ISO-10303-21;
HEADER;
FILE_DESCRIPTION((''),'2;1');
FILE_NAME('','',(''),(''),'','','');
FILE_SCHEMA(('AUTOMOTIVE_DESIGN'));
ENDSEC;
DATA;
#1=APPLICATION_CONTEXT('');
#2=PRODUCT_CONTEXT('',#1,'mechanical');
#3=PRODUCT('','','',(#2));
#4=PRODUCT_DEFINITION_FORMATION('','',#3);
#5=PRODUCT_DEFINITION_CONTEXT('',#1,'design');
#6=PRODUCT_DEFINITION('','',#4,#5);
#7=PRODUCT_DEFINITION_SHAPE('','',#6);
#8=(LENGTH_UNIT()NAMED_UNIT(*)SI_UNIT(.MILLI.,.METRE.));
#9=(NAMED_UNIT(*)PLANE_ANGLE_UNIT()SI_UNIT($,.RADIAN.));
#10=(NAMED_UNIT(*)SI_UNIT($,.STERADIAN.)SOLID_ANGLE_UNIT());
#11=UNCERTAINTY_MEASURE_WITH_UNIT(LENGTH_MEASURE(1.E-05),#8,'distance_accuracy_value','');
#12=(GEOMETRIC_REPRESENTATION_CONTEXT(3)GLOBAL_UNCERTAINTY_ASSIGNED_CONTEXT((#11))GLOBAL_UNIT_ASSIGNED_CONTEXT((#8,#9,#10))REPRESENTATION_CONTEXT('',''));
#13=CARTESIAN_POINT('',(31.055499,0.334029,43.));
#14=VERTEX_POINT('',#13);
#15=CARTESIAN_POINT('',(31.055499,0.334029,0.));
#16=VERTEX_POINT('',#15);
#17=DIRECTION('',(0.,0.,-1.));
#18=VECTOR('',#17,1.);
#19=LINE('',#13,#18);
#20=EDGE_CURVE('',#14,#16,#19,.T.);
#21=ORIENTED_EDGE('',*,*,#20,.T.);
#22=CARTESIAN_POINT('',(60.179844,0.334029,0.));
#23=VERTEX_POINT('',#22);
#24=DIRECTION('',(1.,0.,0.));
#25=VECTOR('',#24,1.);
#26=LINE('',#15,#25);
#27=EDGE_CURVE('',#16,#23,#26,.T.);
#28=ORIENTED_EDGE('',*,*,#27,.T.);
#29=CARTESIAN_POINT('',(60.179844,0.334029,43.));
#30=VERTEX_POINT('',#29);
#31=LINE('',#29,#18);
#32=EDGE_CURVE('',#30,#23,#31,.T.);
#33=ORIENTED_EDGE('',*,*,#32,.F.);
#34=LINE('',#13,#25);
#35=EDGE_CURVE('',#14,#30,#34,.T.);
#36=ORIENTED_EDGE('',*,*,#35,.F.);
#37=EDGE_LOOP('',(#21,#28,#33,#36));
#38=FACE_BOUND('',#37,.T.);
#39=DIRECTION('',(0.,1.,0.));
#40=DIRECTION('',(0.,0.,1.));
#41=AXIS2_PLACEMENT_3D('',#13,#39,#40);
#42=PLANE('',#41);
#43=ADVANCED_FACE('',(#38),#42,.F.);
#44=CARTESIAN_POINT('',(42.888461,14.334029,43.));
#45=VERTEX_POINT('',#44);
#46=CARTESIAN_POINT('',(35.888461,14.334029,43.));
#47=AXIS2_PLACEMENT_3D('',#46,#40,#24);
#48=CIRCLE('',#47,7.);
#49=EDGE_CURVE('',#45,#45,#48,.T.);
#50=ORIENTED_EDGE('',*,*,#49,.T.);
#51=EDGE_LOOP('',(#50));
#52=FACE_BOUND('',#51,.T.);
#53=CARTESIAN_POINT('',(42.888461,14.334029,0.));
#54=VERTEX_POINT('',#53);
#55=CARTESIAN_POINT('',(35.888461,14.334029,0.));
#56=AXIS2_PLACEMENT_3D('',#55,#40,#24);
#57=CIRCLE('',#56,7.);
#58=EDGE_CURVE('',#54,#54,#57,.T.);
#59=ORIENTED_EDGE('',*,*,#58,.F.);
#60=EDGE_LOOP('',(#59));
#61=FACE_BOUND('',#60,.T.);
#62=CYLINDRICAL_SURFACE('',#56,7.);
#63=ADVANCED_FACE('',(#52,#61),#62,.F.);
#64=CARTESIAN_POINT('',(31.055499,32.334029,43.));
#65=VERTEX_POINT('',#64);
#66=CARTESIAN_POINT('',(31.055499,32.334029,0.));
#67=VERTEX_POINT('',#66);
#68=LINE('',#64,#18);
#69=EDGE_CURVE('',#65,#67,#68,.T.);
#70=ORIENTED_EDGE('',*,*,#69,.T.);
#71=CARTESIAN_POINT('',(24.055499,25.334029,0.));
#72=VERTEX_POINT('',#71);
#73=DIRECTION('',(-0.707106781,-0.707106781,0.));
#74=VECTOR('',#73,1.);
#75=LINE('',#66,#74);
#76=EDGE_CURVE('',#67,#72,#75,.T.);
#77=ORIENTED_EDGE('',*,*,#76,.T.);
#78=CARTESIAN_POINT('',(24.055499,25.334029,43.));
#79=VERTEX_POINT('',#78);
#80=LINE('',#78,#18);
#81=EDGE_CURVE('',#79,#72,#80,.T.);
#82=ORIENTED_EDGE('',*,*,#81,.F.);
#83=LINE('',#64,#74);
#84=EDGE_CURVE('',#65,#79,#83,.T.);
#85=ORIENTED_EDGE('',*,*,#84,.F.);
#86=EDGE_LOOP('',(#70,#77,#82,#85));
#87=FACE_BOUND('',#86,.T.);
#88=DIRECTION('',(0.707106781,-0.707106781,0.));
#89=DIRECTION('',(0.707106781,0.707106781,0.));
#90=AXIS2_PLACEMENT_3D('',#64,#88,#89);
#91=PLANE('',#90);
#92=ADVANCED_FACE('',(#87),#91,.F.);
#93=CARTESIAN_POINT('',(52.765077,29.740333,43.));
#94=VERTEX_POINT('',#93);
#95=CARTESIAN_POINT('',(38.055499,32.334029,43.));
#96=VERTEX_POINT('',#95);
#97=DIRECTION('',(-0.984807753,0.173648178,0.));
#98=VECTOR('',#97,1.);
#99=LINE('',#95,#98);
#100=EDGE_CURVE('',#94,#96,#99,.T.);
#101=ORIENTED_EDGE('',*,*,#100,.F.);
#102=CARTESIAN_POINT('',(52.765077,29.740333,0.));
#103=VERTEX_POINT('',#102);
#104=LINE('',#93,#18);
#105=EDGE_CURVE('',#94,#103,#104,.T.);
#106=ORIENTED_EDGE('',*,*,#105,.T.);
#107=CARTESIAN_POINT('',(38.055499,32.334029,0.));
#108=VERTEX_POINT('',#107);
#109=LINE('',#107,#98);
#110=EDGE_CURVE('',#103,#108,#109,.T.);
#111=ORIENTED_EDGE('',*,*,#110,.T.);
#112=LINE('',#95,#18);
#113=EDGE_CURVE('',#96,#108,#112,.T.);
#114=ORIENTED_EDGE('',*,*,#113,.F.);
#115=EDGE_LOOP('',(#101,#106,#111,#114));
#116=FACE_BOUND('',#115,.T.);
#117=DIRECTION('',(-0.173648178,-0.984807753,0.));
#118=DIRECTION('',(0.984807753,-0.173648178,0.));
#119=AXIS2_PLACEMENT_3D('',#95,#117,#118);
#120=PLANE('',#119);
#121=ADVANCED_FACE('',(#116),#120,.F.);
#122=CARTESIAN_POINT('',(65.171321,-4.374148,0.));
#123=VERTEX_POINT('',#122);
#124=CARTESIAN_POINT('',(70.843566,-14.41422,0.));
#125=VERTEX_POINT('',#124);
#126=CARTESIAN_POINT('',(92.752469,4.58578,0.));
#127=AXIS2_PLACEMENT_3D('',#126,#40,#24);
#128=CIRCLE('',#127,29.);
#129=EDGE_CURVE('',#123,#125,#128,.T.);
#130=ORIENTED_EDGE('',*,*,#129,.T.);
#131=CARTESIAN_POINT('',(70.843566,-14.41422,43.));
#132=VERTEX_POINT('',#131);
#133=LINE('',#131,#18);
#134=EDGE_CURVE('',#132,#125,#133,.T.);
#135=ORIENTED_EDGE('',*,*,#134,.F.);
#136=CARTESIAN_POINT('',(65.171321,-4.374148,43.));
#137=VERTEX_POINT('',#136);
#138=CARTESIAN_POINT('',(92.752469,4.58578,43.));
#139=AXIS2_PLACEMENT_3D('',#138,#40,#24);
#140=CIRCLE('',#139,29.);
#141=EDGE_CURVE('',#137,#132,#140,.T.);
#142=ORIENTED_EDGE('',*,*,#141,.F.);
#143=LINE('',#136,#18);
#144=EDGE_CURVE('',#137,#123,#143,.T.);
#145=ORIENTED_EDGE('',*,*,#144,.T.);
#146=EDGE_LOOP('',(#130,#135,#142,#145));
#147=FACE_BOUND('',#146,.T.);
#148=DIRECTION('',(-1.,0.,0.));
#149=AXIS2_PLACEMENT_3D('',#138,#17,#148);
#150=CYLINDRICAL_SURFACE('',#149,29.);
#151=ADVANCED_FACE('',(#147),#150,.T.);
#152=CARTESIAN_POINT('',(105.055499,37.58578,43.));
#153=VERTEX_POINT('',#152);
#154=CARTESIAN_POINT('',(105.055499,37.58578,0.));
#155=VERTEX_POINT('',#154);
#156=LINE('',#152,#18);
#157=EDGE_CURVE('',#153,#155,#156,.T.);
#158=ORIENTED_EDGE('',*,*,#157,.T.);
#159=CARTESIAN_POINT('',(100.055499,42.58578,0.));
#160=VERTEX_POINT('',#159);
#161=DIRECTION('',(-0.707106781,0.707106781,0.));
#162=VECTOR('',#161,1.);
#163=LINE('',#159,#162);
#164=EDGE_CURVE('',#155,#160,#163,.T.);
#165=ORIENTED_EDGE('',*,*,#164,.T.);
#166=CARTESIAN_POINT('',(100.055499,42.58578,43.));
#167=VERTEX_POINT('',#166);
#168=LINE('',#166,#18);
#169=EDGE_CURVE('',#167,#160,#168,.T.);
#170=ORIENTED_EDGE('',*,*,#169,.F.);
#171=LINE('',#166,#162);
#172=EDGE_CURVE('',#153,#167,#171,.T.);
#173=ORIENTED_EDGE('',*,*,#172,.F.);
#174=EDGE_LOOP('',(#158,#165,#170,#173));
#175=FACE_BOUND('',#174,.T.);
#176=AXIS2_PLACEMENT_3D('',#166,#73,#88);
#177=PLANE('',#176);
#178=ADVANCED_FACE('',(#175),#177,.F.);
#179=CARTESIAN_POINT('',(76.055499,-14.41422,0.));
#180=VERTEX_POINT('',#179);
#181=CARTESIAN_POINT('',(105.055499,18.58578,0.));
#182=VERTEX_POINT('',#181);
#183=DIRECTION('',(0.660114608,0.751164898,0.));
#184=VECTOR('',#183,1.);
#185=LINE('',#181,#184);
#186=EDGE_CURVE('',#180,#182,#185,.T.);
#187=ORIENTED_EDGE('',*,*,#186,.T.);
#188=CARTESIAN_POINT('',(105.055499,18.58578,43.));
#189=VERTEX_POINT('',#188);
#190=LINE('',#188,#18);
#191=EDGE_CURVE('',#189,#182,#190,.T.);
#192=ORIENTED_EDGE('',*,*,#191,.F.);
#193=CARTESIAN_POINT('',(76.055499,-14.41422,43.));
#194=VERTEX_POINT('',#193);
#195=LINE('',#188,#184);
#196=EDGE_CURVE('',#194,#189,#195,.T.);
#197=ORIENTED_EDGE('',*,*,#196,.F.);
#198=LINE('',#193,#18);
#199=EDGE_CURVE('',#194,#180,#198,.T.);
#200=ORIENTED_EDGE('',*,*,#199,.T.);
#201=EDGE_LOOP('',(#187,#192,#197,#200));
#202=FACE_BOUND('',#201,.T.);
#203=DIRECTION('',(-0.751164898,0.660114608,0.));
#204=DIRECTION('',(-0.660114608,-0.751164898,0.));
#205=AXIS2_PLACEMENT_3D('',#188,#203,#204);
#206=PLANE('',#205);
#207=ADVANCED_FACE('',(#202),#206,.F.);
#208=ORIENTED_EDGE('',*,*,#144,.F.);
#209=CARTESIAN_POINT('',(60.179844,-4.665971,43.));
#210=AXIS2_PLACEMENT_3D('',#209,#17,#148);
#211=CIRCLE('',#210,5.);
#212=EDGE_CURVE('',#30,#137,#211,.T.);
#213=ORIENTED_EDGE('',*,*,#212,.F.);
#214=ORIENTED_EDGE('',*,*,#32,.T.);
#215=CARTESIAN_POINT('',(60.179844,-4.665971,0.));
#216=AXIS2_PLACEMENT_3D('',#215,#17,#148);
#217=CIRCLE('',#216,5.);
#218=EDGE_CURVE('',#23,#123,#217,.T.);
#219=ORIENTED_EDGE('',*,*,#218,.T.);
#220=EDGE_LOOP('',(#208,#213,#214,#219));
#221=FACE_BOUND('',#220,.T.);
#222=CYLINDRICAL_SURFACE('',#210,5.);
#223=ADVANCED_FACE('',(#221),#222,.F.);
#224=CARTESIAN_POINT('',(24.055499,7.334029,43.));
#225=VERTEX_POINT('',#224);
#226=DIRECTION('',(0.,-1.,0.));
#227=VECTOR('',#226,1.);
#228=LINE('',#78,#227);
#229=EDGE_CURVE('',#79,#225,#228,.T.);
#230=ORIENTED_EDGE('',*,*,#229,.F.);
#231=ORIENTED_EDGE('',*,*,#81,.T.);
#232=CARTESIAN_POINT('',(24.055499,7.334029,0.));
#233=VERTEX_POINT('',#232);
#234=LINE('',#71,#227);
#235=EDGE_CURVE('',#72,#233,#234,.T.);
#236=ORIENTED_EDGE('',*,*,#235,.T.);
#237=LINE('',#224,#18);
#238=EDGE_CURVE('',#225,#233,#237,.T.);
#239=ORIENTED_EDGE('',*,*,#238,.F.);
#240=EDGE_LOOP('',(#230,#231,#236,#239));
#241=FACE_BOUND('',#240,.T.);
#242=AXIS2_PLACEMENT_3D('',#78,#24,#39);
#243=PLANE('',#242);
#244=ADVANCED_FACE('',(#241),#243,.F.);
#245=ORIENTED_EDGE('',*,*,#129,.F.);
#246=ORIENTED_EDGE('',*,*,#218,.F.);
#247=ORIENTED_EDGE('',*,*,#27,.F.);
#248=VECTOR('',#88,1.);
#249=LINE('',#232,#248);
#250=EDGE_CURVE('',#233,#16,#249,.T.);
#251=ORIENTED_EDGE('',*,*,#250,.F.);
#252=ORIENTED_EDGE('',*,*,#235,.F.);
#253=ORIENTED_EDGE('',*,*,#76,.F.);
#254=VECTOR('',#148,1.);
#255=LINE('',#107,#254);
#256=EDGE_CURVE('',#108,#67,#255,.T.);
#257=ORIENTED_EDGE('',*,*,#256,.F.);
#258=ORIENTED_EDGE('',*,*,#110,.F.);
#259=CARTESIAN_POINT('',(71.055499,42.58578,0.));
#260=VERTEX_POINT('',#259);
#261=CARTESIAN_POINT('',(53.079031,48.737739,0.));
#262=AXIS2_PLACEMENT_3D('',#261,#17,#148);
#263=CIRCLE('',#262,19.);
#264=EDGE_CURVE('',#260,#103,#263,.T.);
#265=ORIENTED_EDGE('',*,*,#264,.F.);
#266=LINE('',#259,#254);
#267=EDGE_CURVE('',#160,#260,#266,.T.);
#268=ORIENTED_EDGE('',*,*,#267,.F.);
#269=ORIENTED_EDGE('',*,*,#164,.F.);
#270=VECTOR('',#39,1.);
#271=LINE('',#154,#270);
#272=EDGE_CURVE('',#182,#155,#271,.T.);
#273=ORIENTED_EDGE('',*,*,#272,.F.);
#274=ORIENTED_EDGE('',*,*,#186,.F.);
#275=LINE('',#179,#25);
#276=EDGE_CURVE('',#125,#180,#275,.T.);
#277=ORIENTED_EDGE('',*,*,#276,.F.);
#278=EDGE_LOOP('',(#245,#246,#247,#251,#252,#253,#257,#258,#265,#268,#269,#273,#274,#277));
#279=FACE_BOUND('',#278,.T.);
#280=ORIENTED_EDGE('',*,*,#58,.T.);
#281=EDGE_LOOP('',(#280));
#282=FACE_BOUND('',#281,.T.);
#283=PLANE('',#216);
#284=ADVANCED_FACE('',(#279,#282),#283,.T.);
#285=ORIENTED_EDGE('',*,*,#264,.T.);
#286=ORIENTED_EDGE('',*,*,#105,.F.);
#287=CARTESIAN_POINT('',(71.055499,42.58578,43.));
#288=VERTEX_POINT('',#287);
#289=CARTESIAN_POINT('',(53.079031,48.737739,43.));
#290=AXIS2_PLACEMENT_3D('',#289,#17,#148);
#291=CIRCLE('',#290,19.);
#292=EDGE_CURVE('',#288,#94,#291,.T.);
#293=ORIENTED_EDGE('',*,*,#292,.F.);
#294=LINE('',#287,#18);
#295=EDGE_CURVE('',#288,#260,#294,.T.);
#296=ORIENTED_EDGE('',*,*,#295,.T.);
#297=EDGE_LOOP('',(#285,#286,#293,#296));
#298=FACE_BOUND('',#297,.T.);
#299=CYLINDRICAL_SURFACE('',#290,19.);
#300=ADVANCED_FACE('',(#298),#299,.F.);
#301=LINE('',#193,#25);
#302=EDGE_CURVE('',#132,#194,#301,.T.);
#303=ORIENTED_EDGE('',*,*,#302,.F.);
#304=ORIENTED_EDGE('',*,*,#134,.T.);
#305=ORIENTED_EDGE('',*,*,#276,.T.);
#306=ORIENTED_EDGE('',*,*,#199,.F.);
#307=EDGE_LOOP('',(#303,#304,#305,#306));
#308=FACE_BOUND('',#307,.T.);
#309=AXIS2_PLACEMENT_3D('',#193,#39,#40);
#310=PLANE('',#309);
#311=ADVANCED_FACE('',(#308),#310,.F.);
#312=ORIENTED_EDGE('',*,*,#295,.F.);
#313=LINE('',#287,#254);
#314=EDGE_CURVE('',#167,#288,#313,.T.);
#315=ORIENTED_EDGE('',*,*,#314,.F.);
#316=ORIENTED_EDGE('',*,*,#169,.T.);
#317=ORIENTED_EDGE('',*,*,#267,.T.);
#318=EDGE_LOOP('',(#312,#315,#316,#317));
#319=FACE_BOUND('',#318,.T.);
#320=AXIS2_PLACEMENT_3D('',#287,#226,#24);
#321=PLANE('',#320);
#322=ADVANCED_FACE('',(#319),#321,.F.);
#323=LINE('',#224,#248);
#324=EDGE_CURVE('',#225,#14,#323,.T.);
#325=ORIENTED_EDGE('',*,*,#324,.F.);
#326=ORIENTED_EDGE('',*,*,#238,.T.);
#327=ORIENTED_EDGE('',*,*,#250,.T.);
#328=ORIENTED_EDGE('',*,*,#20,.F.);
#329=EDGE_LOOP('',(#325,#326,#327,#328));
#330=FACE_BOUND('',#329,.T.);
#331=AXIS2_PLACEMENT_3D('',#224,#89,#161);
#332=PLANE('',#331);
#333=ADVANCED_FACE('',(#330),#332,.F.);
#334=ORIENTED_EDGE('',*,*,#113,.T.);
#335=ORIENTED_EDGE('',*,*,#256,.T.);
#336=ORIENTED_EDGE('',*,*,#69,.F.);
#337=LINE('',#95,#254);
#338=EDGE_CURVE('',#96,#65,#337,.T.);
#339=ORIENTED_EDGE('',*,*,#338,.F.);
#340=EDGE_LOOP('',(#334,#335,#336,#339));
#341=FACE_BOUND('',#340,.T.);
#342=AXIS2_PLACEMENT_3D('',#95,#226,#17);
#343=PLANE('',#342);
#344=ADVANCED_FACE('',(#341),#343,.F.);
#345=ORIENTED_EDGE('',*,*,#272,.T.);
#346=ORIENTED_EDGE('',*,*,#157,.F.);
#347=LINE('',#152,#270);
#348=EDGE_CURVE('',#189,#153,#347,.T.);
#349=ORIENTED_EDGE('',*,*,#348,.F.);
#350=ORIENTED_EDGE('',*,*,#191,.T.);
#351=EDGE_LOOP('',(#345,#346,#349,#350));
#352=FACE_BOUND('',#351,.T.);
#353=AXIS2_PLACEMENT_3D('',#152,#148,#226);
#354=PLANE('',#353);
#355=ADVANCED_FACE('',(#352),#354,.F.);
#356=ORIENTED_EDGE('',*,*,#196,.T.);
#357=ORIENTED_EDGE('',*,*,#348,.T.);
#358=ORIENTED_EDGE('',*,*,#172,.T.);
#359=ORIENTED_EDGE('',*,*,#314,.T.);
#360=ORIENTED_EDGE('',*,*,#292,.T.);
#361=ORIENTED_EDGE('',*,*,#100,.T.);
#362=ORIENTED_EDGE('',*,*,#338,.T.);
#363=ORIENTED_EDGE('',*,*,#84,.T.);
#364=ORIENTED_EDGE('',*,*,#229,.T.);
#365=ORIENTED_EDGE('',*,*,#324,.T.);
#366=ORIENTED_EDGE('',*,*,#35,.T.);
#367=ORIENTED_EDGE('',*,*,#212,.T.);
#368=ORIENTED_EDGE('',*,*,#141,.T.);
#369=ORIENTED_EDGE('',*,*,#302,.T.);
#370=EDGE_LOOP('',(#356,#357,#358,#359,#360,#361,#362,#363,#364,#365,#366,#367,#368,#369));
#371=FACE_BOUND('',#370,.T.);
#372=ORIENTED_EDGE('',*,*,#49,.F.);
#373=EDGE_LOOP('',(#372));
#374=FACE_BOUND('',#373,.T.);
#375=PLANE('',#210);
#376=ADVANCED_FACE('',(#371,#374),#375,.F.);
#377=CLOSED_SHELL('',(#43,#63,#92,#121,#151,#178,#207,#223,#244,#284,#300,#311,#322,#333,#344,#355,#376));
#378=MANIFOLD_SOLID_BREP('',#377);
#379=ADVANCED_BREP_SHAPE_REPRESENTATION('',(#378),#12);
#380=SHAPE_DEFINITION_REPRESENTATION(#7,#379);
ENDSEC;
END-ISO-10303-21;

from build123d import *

# Parameters (mm, degrees)
BOSS_EXTRU_1_DEPTH      = 43
ESQUISSE2_R             = 7
ENL_V_MAT_EXTRU_1_DEPTH = 43


with BuildPart() as part:
    # Esquisse1 → Boss.-Extru.1 (new body)
    with BuildSketch(Plane.XY):
        with BuildLine():
            Line((71.055498862, 42.585779817), (100.055498862, 42.585779817))
            Line((100.055498862, 42.585779817), (105.055498862, 37.585779817))
            Line((105.055498862, 37.585779817), (105.055498862, 18.585779817))
            Line((105.055498862, 18.585779817), (76.055498862, -14.414220183))
            Line((76.055498862, -14.414220183), (70.843566259, -14.414220183))
            ThreePointArc((70.843566259, -14.414220183), (67.503369178, -9.678966252), (65.171321088, -4.374147872))
            ThreePointArc((65.171321088, -4.374147872), (63.610652231, -1.028725087), (60.179844427, 0.334029003))
            Line((60.179844427, 0.334029003), (31.055498862, 0.334029003))
            Line((31.055498862, 0.334029003), (24.055498862, 7.334029003))
            Line((24.055498862, 7.334029003), (24.055498862, 25.334029003))
            Line((24.055498862, 25.334029003), (31.055498862, 32.334029003))
            Line((31.055498862, 32.334029003), (38.055498862, 32.334029003))
            Line((38.055498862, 32.334029003), (52.765077496, 29.740333415))
            ThreePointArc((52.765077496, 29.740333415), (63.998851376, 33.189185585), (71.055498862, 42.585779817))
        make_face()
    extrude(amount=BOSS_EXTRU_1_DEPTH)

    # Esquisse2 → Enlèv. mat.-Extru.1 (cut)
    with BuildSketch(Plane.XY.offset(43)):
        with Locations((35.888461386, 14.334029003)):
            Circle(ESQUISSE2_R)
    extrude(amount=-ENL_V_MAT_EXTRU_1_DEPTH, mode=Mode.SUBTRACT)


solid = part.part
